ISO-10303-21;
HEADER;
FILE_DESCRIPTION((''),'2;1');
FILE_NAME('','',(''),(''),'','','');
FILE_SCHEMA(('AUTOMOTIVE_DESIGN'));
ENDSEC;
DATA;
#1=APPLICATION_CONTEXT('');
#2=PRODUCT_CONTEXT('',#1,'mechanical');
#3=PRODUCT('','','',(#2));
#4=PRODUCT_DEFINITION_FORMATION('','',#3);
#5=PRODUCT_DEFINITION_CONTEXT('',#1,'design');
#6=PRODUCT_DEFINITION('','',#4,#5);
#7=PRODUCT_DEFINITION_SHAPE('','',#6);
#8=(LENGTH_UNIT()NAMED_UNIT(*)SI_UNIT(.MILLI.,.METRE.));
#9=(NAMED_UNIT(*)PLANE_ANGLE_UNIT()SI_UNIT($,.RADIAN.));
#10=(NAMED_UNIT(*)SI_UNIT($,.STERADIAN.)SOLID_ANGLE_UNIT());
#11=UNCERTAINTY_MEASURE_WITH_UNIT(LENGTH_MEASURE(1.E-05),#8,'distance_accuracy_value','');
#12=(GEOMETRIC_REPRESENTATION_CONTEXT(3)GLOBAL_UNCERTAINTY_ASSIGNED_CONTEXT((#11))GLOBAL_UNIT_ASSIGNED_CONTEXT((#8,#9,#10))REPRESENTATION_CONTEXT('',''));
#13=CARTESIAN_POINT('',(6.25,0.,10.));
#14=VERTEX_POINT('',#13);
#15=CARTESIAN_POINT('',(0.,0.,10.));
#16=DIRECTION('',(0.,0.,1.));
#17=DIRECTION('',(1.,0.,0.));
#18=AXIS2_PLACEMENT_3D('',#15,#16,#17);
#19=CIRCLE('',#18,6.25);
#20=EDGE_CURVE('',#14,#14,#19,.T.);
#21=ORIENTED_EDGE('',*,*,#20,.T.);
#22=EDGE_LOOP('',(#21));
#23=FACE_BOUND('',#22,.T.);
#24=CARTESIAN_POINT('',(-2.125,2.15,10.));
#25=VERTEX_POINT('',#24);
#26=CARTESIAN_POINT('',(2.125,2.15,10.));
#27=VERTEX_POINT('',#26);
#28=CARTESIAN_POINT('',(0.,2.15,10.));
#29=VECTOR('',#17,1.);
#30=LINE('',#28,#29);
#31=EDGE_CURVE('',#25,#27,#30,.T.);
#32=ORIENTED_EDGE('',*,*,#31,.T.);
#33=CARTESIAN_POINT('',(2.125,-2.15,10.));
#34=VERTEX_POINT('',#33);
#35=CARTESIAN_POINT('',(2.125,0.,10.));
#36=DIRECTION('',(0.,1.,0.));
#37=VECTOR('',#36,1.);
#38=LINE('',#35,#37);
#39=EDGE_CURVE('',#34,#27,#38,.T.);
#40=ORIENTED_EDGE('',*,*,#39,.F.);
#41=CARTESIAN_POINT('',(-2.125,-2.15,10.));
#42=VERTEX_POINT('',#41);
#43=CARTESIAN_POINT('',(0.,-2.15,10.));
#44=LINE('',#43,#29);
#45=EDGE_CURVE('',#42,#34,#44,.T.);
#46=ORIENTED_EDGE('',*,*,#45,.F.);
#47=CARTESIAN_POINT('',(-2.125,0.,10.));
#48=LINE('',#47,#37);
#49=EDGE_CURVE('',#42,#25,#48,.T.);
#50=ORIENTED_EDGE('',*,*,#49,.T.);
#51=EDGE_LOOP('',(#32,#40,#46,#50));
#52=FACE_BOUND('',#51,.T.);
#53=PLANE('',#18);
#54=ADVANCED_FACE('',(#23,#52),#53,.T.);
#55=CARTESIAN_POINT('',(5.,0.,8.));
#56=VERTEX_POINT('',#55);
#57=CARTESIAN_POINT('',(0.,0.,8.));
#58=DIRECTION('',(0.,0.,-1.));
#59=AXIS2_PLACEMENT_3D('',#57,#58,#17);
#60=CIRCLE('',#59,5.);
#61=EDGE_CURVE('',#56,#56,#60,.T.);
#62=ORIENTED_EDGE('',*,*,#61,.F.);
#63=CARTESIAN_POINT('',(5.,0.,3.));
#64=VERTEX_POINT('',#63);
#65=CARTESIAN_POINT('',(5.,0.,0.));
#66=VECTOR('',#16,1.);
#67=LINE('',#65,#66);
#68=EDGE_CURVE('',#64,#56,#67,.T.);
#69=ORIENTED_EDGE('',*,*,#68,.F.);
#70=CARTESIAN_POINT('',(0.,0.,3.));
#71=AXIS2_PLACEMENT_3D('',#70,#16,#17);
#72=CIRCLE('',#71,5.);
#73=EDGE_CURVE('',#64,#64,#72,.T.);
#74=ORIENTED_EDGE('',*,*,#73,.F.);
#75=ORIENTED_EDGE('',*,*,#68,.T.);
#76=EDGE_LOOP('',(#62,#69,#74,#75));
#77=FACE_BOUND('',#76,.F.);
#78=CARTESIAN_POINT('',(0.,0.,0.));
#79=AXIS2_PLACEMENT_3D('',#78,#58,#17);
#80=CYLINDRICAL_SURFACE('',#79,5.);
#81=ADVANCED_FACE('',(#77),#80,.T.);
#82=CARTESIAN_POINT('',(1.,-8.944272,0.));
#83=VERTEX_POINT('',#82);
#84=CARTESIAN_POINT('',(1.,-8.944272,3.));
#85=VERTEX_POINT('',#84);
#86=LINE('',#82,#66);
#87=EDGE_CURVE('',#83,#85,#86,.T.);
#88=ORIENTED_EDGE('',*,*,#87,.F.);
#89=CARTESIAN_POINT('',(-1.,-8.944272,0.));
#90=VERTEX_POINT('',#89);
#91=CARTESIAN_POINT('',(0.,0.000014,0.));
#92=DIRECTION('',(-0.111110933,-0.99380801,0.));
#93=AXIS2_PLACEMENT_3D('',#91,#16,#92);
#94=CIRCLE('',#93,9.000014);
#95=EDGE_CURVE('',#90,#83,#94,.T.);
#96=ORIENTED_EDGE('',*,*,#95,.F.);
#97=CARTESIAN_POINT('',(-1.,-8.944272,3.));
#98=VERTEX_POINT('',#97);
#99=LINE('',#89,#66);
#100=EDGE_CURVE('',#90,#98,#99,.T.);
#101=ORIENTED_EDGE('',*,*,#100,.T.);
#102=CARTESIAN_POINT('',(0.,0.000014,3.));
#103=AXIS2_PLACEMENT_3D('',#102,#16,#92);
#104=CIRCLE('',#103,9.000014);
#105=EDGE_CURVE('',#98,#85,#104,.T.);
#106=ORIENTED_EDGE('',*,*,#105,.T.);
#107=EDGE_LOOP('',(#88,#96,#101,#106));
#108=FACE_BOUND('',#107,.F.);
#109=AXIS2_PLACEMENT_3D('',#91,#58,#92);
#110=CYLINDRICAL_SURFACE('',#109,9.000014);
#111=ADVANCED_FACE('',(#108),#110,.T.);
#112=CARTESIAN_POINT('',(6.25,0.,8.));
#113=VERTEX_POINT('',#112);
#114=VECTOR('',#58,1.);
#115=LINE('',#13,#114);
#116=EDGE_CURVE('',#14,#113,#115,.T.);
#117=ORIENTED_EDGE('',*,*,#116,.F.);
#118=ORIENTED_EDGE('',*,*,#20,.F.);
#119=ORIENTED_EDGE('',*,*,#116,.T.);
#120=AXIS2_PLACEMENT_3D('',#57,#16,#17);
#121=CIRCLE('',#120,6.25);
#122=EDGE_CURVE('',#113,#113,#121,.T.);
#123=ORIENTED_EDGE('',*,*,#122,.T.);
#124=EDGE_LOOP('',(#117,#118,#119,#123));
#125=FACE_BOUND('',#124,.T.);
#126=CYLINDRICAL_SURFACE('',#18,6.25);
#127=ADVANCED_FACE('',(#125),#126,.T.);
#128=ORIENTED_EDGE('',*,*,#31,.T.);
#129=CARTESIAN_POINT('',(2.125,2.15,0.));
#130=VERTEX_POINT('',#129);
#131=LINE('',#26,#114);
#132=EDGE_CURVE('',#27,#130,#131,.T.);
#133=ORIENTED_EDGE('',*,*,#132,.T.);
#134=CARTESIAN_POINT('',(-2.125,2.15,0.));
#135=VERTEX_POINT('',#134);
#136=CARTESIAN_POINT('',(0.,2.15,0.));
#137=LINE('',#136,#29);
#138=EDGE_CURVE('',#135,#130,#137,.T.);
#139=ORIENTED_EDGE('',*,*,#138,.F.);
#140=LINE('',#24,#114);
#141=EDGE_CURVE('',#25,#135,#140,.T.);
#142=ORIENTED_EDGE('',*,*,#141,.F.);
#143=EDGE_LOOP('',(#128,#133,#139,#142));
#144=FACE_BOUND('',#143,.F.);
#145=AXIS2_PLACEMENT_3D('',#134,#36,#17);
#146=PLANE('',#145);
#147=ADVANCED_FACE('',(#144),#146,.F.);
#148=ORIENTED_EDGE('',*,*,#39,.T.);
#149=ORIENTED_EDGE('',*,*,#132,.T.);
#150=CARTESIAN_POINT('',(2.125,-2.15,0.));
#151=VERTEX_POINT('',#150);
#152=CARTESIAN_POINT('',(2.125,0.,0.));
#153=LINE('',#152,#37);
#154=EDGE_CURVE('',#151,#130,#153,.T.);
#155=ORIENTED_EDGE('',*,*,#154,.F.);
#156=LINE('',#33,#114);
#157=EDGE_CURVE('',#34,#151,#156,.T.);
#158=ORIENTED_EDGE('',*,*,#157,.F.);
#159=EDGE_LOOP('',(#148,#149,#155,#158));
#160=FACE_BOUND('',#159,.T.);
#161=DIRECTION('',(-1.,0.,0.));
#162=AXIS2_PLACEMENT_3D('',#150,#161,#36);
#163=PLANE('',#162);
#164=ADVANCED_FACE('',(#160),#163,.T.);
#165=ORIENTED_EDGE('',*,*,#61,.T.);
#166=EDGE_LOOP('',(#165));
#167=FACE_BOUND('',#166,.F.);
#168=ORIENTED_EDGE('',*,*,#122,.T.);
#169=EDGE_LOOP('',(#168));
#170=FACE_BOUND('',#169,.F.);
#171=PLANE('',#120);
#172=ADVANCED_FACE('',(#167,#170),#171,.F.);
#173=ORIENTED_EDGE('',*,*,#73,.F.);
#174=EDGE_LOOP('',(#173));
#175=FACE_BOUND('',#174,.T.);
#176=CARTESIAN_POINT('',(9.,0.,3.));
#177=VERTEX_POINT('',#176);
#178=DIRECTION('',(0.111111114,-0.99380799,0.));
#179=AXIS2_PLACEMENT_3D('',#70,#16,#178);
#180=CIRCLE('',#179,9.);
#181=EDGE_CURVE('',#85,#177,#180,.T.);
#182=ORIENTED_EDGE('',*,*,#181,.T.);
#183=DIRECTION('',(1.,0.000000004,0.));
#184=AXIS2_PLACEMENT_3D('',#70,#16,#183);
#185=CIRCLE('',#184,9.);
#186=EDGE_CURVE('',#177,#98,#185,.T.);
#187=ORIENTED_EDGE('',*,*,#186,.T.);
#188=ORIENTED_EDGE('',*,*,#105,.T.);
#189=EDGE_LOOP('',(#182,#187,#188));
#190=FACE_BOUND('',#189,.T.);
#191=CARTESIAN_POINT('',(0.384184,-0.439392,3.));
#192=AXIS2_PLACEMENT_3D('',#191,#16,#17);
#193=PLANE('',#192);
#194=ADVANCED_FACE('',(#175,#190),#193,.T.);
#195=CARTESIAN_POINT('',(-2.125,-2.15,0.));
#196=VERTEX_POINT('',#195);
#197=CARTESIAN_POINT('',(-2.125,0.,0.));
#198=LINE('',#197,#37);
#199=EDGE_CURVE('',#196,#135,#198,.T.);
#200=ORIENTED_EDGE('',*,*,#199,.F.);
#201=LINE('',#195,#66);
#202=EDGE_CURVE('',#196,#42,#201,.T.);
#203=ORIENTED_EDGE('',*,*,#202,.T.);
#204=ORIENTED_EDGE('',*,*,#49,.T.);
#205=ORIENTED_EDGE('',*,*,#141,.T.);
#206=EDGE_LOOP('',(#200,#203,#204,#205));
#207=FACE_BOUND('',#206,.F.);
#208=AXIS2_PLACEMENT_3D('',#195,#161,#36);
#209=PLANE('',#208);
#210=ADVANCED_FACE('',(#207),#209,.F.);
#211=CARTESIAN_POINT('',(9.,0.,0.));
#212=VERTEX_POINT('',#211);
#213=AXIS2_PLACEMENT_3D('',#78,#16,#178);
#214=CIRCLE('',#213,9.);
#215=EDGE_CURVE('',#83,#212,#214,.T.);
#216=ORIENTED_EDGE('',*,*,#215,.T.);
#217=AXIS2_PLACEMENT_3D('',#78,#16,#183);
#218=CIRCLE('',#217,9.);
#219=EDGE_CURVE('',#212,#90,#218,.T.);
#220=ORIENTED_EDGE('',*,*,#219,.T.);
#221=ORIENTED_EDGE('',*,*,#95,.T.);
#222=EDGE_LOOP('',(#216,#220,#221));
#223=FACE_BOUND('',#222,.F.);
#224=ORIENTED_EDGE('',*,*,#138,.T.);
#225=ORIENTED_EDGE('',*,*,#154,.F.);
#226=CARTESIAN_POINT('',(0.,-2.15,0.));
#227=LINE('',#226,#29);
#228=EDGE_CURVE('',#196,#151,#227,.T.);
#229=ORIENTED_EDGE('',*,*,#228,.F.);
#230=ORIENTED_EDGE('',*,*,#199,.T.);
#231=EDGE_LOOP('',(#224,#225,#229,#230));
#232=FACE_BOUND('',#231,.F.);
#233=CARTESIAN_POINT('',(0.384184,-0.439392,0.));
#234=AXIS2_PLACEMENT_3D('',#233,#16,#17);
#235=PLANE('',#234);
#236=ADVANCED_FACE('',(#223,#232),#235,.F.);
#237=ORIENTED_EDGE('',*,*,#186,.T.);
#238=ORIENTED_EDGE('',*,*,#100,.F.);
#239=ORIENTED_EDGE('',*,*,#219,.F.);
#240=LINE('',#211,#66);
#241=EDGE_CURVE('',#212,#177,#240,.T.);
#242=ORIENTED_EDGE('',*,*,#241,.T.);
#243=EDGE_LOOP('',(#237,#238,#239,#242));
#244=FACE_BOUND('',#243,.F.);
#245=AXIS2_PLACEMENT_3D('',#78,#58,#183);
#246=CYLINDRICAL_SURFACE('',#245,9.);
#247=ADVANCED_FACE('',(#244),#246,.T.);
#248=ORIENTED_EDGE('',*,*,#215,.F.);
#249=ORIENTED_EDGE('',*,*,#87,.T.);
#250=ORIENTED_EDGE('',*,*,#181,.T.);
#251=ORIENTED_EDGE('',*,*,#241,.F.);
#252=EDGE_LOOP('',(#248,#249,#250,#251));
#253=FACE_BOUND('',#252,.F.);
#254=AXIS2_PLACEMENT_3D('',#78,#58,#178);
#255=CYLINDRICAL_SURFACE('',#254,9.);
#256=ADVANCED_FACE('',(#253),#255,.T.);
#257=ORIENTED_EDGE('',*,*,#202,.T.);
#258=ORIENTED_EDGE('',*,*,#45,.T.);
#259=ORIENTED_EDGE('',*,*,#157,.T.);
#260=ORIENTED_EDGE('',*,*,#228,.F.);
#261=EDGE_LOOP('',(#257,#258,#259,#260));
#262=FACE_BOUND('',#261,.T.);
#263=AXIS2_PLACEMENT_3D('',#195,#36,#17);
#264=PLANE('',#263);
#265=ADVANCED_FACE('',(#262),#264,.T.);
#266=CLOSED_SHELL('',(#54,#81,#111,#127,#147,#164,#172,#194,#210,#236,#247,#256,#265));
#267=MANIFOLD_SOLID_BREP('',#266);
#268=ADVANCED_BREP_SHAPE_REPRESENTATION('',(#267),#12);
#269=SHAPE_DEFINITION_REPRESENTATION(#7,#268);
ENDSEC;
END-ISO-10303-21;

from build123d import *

# Parameters (mm, degrees)
F0_R     = 5
F1_DEPTH = 3
F0_W     = 4.25
F0_H     = 4.3
F2_DEPTH = 10
F3_R     = 6.25
F3_R_2   = 5
F3_W     = 4.25
F3_H     = 4.3
F4_DEPTH = 2


with BuildPart() as f1:
    # F0 (on Top) → F1 (new body)
    with BuildSketch(Plane.XY):
        with BuildLine():
            ThreePointArc((1, -8.944272), (6.708204, -6), (9, 0))
            ThreePointArc((9, 0), (-6, 6.708204), (-1, -8.944272))
            ThreePointArc((-1, -8.944272), (0, -9), (1, -8.944272))
        make_face()
        Circle(F0_R, mode=Mode.SUBTRACT)
    extrude(amount=F1_DEPTH)

    # F0 (on Top) → F2 (join)
    with BuildSketch(Plane.XY):
        Circle(F0_R)
        Rectangle(F0_W, F0_H, mode=Mode.SUBTRACT)
    extrude(amount=F2_DEPTH)

    # F3 (on face) → F4 (join)
    with BuildSketch(Plane.XY.offset(10)):
        Circle(F3_R)
        Circle(F3_R_2, mode=Mode.SUBTRACT)
        Circle(F3_R_2)
        Rectangle(F3_W, F3_H, mode=Mode.SUBTRACT)
    extrude(amount=-F4_DEPTH)


solid = f1.part
